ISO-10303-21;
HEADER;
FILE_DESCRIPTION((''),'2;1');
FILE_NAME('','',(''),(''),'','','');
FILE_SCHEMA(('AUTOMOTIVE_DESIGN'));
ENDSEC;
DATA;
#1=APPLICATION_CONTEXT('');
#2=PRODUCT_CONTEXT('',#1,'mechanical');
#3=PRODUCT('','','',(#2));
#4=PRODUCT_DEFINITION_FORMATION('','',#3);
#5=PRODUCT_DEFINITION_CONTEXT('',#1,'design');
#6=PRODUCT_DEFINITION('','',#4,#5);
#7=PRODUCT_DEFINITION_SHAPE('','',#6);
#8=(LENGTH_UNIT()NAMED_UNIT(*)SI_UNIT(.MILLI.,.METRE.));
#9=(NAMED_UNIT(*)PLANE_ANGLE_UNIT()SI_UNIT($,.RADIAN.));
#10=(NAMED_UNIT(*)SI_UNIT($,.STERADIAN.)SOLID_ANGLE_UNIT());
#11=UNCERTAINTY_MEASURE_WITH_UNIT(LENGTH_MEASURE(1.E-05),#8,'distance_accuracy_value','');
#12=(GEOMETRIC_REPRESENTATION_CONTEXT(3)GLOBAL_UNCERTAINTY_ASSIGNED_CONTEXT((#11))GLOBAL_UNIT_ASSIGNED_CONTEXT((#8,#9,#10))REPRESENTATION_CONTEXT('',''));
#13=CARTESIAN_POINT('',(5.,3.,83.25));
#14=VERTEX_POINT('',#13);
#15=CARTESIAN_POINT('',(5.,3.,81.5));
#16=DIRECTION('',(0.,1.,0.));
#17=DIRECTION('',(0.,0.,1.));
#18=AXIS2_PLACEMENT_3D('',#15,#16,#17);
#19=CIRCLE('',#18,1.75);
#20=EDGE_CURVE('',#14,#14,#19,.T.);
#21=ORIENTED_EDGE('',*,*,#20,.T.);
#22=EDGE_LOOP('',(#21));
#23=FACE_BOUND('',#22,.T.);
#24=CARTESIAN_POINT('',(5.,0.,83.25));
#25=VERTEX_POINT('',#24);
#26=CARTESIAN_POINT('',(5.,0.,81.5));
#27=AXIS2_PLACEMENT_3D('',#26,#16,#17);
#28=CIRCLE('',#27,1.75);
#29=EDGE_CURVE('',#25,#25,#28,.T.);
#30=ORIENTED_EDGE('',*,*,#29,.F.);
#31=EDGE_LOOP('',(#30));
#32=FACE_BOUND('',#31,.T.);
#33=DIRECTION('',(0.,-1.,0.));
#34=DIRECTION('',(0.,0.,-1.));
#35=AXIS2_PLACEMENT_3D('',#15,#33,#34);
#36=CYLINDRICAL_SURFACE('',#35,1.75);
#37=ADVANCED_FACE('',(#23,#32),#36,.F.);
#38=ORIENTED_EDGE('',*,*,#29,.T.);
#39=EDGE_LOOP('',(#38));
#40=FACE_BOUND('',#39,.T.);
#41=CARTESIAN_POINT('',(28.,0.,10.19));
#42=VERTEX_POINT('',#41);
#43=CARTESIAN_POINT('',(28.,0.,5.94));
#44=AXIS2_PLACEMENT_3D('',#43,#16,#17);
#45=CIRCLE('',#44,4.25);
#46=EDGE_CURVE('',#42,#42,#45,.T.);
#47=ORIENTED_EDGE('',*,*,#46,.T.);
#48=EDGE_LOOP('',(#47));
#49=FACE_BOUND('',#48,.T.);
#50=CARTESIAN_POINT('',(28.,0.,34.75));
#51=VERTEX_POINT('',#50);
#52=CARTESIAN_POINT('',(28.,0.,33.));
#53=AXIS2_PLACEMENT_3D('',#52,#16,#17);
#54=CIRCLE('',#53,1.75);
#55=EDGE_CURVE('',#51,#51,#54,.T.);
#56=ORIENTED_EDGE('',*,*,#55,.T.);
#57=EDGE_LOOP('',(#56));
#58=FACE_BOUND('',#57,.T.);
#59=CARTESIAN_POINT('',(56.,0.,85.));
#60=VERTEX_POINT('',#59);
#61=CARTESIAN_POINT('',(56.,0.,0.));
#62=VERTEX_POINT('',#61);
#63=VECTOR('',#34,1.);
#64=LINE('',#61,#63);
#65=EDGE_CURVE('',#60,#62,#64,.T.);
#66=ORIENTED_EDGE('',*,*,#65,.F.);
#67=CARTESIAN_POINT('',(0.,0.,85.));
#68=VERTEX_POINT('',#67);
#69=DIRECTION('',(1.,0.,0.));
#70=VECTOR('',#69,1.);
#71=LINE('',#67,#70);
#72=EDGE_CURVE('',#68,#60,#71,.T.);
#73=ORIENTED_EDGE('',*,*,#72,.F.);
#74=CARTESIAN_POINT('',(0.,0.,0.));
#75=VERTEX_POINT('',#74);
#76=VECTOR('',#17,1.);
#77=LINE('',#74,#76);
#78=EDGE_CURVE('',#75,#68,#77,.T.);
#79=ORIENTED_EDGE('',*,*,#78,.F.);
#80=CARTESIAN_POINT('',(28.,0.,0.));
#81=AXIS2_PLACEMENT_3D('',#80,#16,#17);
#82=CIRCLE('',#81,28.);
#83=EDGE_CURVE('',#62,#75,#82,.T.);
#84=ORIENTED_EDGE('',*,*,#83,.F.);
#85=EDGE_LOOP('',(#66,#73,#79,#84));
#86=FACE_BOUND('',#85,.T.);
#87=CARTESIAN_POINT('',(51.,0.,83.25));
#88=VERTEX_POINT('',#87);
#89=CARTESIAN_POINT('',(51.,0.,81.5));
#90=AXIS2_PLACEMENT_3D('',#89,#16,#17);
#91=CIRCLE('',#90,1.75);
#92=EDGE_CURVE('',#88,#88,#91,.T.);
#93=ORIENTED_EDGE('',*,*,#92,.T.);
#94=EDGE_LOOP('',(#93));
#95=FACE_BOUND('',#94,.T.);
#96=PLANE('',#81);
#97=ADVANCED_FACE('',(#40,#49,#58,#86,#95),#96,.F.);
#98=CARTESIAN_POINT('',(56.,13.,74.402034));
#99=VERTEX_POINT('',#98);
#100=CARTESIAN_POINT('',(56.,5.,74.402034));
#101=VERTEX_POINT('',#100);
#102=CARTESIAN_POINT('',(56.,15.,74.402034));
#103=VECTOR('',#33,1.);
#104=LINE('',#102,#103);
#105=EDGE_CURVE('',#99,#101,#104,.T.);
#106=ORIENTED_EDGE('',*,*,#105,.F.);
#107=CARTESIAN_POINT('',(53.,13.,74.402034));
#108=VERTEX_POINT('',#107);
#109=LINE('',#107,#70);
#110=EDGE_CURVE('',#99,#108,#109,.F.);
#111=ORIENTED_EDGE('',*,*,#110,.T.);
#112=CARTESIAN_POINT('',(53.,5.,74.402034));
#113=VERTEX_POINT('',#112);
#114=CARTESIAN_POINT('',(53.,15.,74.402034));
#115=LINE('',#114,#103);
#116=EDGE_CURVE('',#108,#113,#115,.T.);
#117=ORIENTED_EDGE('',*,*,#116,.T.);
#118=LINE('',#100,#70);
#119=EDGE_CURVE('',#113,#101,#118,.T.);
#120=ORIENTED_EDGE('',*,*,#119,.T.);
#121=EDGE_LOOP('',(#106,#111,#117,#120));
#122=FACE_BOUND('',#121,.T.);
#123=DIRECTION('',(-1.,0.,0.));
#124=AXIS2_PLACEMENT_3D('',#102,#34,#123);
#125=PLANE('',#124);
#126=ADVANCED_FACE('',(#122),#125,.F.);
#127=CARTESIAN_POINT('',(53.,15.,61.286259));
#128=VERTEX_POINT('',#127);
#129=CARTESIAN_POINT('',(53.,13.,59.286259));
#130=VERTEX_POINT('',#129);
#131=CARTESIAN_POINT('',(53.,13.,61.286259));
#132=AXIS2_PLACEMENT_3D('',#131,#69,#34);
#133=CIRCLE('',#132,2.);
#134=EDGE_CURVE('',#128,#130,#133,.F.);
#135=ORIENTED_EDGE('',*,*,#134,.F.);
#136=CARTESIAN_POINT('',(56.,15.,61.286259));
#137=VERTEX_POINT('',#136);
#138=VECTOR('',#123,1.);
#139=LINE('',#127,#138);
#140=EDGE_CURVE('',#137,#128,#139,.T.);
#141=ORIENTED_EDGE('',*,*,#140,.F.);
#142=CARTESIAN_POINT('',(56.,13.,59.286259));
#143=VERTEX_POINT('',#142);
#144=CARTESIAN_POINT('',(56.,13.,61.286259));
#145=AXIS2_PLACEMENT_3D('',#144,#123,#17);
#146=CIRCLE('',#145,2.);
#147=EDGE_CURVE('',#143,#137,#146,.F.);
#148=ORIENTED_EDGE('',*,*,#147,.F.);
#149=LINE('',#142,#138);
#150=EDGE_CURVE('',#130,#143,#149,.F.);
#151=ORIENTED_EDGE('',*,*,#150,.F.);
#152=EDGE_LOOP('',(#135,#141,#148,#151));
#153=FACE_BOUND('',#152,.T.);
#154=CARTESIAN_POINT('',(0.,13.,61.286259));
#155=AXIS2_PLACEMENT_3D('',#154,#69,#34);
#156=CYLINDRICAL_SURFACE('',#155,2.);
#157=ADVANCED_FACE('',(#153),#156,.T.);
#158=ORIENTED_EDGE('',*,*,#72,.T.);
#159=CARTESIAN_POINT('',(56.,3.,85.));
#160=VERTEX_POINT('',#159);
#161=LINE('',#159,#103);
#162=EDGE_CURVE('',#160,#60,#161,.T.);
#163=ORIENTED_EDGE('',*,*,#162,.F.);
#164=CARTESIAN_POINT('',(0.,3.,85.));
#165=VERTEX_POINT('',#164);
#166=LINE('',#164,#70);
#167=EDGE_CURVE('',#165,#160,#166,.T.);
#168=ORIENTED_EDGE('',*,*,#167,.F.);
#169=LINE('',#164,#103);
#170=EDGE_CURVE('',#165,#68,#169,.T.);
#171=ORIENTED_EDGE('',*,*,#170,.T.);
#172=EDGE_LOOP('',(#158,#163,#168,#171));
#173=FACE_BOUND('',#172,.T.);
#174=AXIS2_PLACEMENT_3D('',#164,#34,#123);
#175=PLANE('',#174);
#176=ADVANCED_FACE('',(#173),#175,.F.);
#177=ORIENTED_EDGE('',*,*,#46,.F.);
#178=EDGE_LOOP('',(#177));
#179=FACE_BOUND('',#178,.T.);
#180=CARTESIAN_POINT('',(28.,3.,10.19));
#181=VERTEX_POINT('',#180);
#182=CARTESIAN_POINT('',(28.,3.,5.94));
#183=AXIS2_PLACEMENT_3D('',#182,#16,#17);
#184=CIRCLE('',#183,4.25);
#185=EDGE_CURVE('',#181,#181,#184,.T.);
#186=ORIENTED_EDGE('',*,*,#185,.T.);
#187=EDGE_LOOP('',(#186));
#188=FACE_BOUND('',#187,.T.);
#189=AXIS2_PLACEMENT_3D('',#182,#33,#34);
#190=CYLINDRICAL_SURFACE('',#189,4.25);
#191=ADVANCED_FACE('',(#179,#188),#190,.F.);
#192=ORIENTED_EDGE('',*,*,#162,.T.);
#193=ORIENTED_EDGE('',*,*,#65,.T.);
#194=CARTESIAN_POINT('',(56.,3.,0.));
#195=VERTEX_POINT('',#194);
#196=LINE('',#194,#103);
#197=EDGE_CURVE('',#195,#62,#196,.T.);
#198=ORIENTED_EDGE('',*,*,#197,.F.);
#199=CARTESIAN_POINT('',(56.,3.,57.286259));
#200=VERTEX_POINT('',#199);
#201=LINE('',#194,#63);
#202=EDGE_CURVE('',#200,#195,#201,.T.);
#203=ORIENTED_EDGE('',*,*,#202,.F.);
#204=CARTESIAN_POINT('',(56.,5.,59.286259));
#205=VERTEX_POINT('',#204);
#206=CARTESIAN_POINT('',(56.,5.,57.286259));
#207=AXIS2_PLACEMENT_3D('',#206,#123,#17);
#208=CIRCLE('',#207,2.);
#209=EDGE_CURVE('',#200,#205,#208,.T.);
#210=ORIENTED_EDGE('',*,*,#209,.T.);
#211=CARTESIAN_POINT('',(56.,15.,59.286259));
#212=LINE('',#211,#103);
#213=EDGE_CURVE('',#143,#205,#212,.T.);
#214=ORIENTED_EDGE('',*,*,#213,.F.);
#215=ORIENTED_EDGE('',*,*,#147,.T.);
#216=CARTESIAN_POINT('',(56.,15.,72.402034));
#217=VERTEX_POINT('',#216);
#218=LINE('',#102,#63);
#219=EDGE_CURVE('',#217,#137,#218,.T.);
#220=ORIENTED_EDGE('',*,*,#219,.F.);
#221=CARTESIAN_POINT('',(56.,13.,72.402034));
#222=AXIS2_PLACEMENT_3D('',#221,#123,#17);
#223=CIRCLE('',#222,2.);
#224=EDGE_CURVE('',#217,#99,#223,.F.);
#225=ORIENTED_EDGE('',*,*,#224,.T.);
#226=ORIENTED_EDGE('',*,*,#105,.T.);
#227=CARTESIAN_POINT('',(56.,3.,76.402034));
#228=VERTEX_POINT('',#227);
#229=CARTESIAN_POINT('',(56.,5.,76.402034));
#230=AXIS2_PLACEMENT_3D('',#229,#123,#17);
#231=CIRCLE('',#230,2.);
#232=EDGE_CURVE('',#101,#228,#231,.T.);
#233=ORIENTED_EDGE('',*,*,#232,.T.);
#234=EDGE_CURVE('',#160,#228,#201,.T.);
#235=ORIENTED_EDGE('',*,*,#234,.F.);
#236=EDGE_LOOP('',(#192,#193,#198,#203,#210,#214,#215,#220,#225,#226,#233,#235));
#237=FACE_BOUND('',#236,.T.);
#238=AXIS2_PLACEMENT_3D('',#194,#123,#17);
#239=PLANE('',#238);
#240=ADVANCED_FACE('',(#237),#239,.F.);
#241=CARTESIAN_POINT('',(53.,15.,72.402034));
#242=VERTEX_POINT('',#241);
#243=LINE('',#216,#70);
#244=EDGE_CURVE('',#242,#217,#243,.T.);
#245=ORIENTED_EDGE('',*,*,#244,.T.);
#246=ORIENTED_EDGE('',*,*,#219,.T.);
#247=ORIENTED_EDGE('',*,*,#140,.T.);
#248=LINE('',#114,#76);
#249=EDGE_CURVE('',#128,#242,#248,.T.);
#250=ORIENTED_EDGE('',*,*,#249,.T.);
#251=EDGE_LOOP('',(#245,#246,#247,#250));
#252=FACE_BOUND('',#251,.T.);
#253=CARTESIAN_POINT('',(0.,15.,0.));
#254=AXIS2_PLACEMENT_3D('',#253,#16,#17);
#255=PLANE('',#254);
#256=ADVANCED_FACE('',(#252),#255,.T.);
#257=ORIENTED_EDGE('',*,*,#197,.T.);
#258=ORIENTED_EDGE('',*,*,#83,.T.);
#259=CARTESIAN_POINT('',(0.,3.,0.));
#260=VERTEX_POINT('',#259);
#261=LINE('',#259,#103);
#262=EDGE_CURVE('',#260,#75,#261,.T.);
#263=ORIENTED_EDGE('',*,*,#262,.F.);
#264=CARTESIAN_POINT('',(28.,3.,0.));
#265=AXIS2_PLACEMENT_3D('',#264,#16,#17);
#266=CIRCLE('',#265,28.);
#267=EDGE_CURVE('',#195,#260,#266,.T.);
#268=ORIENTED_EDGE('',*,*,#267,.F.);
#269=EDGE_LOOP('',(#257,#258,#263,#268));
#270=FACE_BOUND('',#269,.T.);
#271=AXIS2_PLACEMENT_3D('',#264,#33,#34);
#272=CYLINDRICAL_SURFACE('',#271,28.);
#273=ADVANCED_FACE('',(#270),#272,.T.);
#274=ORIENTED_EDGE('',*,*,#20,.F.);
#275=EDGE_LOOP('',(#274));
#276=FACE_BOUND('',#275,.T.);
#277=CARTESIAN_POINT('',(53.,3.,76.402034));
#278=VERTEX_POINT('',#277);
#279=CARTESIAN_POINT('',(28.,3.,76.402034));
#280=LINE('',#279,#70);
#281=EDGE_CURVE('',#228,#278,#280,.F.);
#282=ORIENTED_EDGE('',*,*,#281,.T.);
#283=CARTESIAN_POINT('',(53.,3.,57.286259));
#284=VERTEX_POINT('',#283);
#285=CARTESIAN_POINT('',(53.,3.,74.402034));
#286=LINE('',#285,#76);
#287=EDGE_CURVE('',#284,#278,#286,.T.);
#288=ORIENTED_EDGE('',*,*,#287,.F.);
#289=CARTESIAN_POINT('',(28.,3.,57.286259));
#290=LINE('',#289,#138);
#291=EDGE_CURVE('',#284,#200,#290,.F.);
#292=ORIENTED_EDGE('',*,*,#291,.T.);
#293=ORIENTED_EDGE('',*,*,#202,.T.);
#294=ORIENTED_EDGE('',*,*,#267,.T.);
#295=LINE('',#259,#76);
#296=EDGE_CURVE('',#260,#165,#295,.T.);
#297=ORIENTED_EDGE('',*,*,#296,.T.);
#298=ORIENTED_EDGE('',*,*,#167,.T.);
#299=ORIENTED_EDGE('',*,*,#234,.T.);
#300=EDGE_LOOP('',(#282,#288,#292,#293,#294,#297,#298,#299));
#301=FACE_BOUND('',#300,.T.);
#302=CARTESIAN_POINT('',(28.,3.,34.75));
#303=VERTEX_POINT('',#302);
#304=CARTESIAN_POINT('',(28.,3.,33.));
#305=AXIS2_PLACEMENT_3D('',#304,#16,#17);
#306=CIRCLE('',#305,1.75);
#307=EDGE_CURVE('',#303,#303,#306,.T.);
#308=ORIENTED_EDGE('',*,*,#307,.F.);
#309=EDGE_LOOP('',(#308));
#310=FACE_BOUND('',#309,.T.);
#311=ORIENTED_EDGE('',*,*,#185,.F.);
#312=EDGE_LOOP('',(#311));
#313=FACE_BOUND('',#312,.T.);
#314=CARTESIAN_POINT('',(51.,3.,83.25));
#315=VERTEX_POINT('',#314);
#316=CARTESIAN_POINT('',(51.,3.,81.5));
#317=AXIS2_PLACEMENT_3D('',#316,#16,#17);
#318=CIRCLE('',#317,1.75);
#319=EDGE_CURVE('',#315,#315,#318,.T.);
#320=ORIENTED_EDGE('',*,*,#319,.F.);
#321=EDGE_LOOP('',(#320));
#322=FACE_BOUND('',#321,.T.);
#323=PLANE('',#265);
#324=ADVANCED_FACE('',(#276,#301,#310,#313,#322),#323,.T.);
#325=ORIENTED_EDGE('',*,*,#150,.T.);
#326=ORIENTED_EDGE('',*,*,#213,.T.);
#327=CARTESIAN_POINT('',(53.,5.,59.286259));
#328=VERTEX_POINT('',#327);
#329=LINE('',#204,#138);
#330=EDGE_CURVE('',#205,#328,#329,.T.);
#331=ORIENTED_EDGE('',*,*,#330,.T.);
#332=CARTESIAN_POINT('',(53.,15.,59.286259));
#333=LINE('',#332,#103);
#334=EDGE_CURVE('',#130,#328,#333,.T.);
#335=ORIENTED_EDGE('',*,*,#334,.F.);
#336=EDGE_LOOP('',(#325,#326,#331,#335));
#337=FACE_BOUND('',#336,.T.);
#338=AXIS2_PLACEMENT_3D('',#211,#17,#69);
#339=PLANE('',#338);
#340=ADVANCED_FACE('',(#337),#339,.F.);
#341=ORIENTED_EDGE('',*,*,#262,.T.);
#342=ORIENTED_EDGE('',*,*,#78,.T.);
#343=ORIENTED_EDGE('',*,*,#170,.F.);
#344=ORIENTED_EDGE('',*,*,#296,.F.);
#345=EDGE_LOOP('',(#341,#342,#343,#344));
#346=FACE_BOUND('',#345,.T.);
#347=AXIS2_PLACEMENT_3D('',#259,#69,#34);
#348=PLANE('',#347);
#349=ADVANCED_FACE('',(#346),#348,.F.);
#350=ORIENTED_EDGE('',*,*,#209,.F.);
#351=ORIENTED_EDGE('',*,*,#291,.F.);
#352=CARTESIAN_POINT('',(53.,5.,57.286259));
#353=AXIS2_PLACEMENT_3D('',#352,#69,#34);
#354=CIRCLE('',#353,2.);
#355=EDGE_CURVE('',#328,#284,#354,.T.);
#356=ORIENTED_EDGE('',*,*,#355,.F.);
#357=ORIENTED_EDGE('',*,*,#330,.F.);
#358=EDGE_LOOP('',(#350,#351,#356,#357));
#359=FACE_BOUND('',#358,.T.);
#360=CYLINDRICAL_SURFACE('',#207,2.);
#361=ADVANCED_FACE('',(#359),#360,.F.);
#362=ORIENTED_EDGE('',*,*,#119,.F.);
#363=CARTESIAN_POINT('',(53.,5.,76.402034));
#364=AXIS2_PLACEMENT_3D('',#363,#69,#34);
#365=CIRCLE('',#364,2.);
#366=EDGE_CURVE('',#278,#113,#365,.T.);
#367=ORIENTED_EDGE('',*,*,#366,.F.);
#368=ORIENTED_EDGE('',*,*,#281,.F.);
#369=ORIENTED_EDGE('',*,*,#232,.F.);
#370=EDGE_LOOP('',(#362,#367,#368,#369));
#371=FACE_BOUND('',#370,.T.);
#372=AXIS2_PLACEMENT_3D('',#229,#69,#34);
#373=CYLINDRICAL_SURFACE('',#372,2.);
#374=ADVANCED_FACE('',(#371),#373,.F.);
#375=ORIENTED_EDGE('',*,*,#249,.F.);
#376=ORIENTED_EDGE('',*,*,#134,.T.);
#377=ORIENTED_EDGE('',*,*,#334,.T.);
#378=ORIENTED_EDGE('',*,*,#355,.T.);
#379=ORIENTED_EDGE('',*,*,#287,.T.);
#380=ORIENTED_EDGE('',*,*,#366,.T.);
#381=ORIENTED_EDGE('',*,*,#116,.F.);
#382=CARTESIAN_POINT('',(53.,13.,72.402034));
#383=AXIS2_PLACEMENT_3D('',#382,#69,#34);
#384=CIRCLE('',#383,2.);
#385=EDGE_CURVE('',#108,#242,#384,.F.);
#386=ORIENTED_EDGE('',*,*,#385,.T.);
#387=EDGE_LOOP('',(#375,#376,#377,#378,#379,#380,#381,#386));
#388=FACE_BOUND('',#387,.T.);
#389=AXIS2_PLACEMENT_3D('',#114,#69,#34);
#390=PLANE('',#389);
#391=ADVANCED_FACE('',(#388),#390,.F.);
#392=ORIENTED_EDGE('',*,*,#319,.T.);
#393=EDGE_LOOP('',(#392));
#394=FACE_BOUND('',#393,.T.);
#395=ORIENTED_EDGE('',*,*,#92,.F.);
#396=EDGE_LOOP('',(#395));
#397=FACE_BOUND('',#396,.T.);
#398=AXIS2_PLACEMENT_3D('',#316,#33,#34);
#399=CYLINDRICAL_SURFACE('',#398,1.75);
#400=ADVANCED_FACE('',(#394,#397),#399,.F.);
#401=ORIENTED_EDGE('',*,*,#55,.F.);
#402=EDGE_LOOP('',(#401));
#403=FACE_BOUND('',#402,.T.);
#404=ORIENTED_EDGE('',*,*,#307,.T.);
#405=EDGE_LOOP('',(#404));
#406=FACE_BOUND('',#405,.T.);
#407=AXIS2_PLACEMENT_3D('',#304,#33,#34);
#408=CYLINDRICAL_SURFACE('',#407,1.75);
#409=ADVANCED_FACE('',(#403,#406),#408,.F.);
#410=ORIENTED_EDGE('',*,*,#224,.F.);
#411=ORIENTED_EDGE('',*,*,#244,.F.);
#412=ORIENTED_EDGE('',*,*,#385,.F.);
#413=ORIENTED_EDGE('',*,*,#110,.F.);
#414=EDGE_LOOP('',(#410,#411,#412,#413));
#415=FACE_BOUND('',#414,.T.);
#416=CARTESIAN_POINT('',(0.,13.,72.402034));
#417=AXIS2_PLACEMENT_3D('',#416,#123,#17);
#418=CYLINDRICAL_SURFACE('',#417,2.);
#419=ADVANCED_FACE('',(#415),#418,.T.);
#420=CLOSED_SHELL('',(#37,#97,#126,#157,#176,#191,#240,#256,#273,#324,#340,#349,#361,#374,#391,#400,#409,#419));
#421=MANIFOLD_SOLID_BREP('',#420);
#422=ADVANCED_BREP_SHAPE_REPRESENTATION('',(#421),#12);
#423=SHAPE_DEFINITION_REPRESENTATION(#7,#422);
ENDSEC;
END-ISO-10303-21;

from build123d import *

# Parameters (mm, degrees)
SKETCH1_R           = 1.75
SKETCH1_R_2         = 4.25
BOSS_EXTRUDE1_DEPTH = 3
SKETCH2_W           = 3
SKETCH2_H           = 15.115775603
BOSS_EXTRUDE2_DEPTH = 12
FILLET1_R           = 2


with BuildPart() as part:
    # Sketch1 → Boss-Extrude1 (new body)
    with BuildSketch(Plane(origin=(0, 0, 0), x_dir=(1, 0, 0), z_dir=(0, 1, 0))):
        with BuildLine():
            Line((0, 0), (0, -85))
            Line((0, -85), (56, -85))
            Line((56, -85), (56, 6.6e-08))
            ThreePointArc((56, 6.6e-08), (27.999999967, 28.000000033), (0, 0))
        make_face()
        with Locations((5, -81.5)):
            Circle(SKETCH1_R, mode=Mode.SUBTRACT)
        with Locations((51, -81.5)):
            Circle(SKETCH1_R, mode=Mode.SUBTRACT)
        with Locations((28, -33)):
            Circle(SKETCH1_R, mode=Mode.SUBTRACT)
        with Locations((28, -5.94)):
            Circle(SKETCH1_R_2, mode=Mode.SUBTRACT)
    extrude(amount=BOSS_EXTRUDE1_DEPTH)

    # Sketch2 → Boss-Extrude2 (add)
    with BuildSketch(Plane(origin=(0, 3, 0), x_dir=(1, 0, 0), z_dir=(0, 1, 0))):
        with Locations((54.5, -66.844146369)):
            Rectangle(SKETCH2_W, SKETCH2_H)
    extrude(amount=BOSS_EXTRUDE2_DEPTH)

    # Fillet1
    fillet1_edges = [part.edges().sort_by_distance(p)[0] for p in [
        (54.5, 3, 59.286258567),
        (54.5, 3, 74.40203417),
        (54.5, 15, 59.286258567),
        (54.5, 15, 74.40203417),
    ]]
    fillet(fillet1_edges, radius=FILLET1_R)


solid = part.part
